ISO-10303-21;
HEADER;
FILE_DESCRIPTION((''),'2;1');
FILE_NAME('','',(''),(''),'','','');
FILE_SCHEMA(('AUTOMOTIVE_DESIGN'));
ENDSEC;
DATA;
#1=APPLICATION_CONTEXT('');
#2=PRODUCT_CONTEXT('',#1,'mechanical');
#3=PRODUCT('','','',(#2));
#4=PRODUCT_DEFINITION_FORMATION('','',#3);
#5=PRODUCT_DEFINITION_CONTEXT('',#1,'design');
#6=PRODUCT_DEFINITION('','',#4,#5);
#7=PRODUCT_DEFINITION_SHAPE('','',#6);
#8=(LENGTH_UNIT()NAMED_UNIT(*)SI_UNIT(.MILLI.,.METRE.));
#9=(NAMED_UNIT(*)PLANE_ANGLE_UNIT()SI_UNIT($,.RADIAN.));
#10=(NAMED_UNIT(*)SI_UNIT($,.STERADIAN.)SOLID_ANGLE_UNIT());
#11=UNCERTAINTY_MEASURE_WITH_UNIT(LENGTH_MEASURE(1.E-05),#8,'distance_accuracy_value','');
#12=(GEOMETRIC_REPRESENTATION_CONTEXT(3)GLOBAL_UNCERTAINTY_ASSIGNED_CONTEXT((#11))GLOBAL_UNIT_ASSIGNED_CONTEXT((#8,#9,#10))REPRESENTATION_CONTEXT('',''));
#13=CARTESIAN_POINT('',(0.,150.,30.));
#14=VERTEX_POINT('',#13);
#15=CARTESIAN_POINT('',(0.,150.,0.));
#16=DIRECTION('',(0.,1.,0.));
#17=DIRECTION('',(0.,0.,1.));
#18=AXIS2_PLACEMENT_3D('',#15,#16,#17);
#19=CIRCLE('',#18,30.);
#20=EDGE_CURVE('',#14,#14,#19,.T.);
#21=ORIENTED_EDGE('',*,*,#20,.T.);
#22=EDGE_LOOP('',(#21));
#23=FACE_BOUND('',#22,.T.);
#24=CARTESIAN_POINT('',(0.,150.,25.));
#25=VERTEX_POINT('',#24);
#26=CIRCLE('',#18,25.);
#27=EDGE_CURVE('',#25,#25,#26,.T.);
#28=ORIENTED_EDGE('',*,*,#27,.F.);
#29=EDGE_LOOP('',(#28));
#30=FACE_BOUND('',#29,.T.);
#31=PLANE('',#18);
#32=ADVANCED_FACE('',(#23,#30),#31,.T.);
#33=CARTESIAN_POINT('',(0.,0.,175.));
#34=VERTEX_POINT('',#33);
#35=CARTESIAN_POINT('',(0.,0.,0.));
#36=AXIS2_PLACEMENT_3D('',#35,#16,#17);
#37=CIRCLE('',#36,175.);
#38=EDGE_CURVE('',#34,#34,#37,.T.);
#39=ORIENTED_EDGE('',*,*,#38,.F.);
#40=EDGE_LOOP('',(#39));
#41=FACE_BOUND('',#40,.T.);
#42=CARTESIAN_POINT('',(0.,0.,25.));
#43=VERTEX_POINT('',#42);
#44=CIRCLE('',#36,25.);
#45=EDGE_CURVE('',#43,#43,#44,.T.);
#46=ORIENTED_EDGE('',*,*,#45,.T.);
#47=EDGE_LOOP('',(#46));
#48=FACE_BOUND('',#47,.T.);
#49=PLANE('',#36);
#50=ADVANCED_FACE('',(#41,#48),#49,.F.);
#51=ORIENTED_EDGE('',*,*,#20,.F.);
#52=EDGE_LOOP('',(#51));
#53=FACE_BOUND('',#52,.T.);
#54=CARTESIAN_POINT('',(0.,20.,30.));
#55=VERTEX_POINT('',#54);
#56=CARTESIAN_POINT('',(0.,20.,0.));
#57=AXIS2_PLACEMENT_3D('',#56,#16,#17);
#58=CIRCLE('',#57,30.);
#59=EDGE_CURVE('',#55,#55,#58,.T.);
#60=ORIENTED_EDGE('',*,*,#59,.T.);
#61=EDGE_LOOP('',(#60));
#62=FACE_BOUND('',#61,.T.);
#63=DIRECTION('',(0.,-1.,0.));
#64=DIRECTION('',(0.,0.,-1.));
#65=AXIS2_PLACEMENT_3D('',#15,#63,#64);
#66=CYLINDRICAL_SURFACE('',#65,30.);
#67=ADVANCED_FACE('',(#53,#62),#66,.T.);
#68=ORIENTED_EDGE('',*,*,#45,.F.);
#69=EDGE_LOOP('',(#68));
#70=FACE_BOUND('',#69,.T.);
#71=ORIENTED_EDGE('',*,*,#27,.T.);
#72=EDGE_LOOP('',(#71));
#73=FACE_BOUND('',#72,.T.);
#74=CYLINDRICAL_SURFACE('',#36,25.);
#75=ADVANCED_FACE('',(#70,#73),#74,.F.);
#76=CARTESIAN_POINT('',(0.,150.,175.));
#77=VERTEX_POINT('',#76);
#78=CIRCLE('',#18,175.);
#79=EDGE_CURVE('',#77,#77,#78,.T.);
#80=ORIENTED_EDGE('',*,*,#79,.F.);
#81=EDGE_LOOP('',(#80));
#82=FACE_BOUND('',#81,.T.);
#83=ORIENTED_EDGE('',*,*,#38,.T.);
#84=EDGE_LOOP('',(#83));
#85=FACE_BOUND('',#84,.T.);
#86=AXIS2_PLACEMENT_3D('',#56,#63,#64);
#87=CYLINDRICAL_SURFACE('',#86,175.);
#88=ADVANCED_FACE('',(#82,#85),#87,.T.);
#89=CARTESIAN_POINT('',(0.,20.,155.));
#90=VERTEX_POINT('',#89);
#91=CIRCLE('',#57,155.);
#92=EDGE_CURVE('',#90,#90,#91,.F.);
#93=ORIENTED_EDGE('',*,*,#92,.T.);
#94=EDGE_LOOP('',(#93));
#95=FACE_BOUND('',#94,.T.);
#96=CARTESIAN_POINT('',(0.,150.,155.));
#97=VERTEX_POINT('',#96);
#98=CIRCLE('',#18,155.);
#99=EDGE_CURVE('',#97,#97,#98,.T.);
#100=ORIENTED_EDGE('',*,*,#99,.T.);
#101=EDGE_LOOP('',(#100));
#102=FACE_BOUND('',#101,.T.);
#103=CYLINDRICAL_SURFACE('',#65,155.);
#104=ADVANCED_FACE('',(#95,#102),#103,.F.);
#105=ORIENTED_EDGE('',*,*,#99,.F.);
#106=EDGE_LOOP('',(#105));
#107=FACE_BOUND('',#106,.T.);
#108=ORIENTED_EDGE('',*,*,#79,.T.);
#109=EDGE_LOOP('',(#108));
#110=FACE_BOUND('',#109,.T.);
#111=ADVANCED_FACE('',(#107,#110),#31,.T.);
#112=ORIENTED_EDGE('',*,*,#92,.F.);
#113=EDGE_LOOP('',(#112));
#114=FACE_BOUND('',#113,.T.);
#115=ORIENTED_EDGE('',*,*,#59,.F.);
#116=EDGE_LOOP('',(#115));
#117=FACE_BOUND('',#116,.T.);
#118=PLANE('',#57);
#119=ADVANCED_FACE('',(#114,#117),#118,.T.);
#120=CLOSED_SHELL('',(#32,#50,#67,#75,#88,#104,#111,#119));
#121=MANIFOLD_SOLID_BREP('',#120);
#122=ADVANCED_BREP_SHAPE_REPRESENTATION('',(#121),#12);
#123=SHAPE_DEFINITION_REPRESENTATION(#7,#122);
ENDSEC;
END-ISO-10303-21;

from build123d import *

# Parameters (mm, degrees)
ESBO_O1_R                  = 175
RESSALTO_EXTRUS_O1_DEPTH   = 20
ESBO_O3_R                  = 175
ESBO_O3_R_2                = 155
RESSALTO_EXTRUS_O3_DEPTH   = 130
ESBO_O4_R                  = 25
CORTE_EXTRUS_O1_DEPTH      = 131
CORTE_EXTRUS_O1_DEPTH_BACK = 21
ESBO_O5_R                  = 30
ESBO_O5_R_2                = 25
RESSALTO_EXTRUS_O4_DEPTH   = 130


with BuildPart() as part:
    # Esboço1 → Ressalto-extrusão1 (new body)
    with BuildSketch(Plane(origin=(0, 0, 0), x_dir=(1, 0, 0), z_dir=(0, 1, 0))):
        Circle(ESBO_O1_R)
    extrude(amount=RESSALTO_EXTRUS_O1_DEPTH)

    # Esboço3 → Ressalto-extrusão3 (add)
    with BuildSketch(Plane(origin=(0, 20, 0), x_dir=(1, 0, 0), z_dir=(0, 1, 0))):
        Circle(ESBO_O3_R)
        Circle(ESBO_O3_R_2, mode=Mode.SUBTRACT)
    extrude(amount=RESSALTO_EXTRUS_O3_DEPTH)

    # Esboço4 → Corte-extrusão1 (cut, two sides)
    with BuildSketch(Plane(origin=(0, 20, 0), x_dir=(1, 0, 0), z_dir=(0, 1, 0))) as corte_extrus_o1_sk:
        Circle(ESBO_O4_R)
    extrude(amount=CORTE_EXTRUS_O1_DEPTH, mode=Mode.SUBTRACT)
    extrude(corte_extrus_o1_sk.sketch, amount=-CORTE_EXTRUS_O1_DEPTH_BACK, mode=Mode.SUBTRACT)

    # Esboço5 → Ressalto-extrusão4 (add, through all)
    with BuildSketch(Plane(origin=(0, 20, 0), x_dir=(1, 0, 0), z_dir=(0, 1, 0))):
        Circle(ESBO_O5_R)
        Circle(ESBO_O5_R_2, mode=Mode.SUBTRACT)
    extrude(amount=RESSALTO_EXTRUS_O4_DEPTH)


solid = part.part
